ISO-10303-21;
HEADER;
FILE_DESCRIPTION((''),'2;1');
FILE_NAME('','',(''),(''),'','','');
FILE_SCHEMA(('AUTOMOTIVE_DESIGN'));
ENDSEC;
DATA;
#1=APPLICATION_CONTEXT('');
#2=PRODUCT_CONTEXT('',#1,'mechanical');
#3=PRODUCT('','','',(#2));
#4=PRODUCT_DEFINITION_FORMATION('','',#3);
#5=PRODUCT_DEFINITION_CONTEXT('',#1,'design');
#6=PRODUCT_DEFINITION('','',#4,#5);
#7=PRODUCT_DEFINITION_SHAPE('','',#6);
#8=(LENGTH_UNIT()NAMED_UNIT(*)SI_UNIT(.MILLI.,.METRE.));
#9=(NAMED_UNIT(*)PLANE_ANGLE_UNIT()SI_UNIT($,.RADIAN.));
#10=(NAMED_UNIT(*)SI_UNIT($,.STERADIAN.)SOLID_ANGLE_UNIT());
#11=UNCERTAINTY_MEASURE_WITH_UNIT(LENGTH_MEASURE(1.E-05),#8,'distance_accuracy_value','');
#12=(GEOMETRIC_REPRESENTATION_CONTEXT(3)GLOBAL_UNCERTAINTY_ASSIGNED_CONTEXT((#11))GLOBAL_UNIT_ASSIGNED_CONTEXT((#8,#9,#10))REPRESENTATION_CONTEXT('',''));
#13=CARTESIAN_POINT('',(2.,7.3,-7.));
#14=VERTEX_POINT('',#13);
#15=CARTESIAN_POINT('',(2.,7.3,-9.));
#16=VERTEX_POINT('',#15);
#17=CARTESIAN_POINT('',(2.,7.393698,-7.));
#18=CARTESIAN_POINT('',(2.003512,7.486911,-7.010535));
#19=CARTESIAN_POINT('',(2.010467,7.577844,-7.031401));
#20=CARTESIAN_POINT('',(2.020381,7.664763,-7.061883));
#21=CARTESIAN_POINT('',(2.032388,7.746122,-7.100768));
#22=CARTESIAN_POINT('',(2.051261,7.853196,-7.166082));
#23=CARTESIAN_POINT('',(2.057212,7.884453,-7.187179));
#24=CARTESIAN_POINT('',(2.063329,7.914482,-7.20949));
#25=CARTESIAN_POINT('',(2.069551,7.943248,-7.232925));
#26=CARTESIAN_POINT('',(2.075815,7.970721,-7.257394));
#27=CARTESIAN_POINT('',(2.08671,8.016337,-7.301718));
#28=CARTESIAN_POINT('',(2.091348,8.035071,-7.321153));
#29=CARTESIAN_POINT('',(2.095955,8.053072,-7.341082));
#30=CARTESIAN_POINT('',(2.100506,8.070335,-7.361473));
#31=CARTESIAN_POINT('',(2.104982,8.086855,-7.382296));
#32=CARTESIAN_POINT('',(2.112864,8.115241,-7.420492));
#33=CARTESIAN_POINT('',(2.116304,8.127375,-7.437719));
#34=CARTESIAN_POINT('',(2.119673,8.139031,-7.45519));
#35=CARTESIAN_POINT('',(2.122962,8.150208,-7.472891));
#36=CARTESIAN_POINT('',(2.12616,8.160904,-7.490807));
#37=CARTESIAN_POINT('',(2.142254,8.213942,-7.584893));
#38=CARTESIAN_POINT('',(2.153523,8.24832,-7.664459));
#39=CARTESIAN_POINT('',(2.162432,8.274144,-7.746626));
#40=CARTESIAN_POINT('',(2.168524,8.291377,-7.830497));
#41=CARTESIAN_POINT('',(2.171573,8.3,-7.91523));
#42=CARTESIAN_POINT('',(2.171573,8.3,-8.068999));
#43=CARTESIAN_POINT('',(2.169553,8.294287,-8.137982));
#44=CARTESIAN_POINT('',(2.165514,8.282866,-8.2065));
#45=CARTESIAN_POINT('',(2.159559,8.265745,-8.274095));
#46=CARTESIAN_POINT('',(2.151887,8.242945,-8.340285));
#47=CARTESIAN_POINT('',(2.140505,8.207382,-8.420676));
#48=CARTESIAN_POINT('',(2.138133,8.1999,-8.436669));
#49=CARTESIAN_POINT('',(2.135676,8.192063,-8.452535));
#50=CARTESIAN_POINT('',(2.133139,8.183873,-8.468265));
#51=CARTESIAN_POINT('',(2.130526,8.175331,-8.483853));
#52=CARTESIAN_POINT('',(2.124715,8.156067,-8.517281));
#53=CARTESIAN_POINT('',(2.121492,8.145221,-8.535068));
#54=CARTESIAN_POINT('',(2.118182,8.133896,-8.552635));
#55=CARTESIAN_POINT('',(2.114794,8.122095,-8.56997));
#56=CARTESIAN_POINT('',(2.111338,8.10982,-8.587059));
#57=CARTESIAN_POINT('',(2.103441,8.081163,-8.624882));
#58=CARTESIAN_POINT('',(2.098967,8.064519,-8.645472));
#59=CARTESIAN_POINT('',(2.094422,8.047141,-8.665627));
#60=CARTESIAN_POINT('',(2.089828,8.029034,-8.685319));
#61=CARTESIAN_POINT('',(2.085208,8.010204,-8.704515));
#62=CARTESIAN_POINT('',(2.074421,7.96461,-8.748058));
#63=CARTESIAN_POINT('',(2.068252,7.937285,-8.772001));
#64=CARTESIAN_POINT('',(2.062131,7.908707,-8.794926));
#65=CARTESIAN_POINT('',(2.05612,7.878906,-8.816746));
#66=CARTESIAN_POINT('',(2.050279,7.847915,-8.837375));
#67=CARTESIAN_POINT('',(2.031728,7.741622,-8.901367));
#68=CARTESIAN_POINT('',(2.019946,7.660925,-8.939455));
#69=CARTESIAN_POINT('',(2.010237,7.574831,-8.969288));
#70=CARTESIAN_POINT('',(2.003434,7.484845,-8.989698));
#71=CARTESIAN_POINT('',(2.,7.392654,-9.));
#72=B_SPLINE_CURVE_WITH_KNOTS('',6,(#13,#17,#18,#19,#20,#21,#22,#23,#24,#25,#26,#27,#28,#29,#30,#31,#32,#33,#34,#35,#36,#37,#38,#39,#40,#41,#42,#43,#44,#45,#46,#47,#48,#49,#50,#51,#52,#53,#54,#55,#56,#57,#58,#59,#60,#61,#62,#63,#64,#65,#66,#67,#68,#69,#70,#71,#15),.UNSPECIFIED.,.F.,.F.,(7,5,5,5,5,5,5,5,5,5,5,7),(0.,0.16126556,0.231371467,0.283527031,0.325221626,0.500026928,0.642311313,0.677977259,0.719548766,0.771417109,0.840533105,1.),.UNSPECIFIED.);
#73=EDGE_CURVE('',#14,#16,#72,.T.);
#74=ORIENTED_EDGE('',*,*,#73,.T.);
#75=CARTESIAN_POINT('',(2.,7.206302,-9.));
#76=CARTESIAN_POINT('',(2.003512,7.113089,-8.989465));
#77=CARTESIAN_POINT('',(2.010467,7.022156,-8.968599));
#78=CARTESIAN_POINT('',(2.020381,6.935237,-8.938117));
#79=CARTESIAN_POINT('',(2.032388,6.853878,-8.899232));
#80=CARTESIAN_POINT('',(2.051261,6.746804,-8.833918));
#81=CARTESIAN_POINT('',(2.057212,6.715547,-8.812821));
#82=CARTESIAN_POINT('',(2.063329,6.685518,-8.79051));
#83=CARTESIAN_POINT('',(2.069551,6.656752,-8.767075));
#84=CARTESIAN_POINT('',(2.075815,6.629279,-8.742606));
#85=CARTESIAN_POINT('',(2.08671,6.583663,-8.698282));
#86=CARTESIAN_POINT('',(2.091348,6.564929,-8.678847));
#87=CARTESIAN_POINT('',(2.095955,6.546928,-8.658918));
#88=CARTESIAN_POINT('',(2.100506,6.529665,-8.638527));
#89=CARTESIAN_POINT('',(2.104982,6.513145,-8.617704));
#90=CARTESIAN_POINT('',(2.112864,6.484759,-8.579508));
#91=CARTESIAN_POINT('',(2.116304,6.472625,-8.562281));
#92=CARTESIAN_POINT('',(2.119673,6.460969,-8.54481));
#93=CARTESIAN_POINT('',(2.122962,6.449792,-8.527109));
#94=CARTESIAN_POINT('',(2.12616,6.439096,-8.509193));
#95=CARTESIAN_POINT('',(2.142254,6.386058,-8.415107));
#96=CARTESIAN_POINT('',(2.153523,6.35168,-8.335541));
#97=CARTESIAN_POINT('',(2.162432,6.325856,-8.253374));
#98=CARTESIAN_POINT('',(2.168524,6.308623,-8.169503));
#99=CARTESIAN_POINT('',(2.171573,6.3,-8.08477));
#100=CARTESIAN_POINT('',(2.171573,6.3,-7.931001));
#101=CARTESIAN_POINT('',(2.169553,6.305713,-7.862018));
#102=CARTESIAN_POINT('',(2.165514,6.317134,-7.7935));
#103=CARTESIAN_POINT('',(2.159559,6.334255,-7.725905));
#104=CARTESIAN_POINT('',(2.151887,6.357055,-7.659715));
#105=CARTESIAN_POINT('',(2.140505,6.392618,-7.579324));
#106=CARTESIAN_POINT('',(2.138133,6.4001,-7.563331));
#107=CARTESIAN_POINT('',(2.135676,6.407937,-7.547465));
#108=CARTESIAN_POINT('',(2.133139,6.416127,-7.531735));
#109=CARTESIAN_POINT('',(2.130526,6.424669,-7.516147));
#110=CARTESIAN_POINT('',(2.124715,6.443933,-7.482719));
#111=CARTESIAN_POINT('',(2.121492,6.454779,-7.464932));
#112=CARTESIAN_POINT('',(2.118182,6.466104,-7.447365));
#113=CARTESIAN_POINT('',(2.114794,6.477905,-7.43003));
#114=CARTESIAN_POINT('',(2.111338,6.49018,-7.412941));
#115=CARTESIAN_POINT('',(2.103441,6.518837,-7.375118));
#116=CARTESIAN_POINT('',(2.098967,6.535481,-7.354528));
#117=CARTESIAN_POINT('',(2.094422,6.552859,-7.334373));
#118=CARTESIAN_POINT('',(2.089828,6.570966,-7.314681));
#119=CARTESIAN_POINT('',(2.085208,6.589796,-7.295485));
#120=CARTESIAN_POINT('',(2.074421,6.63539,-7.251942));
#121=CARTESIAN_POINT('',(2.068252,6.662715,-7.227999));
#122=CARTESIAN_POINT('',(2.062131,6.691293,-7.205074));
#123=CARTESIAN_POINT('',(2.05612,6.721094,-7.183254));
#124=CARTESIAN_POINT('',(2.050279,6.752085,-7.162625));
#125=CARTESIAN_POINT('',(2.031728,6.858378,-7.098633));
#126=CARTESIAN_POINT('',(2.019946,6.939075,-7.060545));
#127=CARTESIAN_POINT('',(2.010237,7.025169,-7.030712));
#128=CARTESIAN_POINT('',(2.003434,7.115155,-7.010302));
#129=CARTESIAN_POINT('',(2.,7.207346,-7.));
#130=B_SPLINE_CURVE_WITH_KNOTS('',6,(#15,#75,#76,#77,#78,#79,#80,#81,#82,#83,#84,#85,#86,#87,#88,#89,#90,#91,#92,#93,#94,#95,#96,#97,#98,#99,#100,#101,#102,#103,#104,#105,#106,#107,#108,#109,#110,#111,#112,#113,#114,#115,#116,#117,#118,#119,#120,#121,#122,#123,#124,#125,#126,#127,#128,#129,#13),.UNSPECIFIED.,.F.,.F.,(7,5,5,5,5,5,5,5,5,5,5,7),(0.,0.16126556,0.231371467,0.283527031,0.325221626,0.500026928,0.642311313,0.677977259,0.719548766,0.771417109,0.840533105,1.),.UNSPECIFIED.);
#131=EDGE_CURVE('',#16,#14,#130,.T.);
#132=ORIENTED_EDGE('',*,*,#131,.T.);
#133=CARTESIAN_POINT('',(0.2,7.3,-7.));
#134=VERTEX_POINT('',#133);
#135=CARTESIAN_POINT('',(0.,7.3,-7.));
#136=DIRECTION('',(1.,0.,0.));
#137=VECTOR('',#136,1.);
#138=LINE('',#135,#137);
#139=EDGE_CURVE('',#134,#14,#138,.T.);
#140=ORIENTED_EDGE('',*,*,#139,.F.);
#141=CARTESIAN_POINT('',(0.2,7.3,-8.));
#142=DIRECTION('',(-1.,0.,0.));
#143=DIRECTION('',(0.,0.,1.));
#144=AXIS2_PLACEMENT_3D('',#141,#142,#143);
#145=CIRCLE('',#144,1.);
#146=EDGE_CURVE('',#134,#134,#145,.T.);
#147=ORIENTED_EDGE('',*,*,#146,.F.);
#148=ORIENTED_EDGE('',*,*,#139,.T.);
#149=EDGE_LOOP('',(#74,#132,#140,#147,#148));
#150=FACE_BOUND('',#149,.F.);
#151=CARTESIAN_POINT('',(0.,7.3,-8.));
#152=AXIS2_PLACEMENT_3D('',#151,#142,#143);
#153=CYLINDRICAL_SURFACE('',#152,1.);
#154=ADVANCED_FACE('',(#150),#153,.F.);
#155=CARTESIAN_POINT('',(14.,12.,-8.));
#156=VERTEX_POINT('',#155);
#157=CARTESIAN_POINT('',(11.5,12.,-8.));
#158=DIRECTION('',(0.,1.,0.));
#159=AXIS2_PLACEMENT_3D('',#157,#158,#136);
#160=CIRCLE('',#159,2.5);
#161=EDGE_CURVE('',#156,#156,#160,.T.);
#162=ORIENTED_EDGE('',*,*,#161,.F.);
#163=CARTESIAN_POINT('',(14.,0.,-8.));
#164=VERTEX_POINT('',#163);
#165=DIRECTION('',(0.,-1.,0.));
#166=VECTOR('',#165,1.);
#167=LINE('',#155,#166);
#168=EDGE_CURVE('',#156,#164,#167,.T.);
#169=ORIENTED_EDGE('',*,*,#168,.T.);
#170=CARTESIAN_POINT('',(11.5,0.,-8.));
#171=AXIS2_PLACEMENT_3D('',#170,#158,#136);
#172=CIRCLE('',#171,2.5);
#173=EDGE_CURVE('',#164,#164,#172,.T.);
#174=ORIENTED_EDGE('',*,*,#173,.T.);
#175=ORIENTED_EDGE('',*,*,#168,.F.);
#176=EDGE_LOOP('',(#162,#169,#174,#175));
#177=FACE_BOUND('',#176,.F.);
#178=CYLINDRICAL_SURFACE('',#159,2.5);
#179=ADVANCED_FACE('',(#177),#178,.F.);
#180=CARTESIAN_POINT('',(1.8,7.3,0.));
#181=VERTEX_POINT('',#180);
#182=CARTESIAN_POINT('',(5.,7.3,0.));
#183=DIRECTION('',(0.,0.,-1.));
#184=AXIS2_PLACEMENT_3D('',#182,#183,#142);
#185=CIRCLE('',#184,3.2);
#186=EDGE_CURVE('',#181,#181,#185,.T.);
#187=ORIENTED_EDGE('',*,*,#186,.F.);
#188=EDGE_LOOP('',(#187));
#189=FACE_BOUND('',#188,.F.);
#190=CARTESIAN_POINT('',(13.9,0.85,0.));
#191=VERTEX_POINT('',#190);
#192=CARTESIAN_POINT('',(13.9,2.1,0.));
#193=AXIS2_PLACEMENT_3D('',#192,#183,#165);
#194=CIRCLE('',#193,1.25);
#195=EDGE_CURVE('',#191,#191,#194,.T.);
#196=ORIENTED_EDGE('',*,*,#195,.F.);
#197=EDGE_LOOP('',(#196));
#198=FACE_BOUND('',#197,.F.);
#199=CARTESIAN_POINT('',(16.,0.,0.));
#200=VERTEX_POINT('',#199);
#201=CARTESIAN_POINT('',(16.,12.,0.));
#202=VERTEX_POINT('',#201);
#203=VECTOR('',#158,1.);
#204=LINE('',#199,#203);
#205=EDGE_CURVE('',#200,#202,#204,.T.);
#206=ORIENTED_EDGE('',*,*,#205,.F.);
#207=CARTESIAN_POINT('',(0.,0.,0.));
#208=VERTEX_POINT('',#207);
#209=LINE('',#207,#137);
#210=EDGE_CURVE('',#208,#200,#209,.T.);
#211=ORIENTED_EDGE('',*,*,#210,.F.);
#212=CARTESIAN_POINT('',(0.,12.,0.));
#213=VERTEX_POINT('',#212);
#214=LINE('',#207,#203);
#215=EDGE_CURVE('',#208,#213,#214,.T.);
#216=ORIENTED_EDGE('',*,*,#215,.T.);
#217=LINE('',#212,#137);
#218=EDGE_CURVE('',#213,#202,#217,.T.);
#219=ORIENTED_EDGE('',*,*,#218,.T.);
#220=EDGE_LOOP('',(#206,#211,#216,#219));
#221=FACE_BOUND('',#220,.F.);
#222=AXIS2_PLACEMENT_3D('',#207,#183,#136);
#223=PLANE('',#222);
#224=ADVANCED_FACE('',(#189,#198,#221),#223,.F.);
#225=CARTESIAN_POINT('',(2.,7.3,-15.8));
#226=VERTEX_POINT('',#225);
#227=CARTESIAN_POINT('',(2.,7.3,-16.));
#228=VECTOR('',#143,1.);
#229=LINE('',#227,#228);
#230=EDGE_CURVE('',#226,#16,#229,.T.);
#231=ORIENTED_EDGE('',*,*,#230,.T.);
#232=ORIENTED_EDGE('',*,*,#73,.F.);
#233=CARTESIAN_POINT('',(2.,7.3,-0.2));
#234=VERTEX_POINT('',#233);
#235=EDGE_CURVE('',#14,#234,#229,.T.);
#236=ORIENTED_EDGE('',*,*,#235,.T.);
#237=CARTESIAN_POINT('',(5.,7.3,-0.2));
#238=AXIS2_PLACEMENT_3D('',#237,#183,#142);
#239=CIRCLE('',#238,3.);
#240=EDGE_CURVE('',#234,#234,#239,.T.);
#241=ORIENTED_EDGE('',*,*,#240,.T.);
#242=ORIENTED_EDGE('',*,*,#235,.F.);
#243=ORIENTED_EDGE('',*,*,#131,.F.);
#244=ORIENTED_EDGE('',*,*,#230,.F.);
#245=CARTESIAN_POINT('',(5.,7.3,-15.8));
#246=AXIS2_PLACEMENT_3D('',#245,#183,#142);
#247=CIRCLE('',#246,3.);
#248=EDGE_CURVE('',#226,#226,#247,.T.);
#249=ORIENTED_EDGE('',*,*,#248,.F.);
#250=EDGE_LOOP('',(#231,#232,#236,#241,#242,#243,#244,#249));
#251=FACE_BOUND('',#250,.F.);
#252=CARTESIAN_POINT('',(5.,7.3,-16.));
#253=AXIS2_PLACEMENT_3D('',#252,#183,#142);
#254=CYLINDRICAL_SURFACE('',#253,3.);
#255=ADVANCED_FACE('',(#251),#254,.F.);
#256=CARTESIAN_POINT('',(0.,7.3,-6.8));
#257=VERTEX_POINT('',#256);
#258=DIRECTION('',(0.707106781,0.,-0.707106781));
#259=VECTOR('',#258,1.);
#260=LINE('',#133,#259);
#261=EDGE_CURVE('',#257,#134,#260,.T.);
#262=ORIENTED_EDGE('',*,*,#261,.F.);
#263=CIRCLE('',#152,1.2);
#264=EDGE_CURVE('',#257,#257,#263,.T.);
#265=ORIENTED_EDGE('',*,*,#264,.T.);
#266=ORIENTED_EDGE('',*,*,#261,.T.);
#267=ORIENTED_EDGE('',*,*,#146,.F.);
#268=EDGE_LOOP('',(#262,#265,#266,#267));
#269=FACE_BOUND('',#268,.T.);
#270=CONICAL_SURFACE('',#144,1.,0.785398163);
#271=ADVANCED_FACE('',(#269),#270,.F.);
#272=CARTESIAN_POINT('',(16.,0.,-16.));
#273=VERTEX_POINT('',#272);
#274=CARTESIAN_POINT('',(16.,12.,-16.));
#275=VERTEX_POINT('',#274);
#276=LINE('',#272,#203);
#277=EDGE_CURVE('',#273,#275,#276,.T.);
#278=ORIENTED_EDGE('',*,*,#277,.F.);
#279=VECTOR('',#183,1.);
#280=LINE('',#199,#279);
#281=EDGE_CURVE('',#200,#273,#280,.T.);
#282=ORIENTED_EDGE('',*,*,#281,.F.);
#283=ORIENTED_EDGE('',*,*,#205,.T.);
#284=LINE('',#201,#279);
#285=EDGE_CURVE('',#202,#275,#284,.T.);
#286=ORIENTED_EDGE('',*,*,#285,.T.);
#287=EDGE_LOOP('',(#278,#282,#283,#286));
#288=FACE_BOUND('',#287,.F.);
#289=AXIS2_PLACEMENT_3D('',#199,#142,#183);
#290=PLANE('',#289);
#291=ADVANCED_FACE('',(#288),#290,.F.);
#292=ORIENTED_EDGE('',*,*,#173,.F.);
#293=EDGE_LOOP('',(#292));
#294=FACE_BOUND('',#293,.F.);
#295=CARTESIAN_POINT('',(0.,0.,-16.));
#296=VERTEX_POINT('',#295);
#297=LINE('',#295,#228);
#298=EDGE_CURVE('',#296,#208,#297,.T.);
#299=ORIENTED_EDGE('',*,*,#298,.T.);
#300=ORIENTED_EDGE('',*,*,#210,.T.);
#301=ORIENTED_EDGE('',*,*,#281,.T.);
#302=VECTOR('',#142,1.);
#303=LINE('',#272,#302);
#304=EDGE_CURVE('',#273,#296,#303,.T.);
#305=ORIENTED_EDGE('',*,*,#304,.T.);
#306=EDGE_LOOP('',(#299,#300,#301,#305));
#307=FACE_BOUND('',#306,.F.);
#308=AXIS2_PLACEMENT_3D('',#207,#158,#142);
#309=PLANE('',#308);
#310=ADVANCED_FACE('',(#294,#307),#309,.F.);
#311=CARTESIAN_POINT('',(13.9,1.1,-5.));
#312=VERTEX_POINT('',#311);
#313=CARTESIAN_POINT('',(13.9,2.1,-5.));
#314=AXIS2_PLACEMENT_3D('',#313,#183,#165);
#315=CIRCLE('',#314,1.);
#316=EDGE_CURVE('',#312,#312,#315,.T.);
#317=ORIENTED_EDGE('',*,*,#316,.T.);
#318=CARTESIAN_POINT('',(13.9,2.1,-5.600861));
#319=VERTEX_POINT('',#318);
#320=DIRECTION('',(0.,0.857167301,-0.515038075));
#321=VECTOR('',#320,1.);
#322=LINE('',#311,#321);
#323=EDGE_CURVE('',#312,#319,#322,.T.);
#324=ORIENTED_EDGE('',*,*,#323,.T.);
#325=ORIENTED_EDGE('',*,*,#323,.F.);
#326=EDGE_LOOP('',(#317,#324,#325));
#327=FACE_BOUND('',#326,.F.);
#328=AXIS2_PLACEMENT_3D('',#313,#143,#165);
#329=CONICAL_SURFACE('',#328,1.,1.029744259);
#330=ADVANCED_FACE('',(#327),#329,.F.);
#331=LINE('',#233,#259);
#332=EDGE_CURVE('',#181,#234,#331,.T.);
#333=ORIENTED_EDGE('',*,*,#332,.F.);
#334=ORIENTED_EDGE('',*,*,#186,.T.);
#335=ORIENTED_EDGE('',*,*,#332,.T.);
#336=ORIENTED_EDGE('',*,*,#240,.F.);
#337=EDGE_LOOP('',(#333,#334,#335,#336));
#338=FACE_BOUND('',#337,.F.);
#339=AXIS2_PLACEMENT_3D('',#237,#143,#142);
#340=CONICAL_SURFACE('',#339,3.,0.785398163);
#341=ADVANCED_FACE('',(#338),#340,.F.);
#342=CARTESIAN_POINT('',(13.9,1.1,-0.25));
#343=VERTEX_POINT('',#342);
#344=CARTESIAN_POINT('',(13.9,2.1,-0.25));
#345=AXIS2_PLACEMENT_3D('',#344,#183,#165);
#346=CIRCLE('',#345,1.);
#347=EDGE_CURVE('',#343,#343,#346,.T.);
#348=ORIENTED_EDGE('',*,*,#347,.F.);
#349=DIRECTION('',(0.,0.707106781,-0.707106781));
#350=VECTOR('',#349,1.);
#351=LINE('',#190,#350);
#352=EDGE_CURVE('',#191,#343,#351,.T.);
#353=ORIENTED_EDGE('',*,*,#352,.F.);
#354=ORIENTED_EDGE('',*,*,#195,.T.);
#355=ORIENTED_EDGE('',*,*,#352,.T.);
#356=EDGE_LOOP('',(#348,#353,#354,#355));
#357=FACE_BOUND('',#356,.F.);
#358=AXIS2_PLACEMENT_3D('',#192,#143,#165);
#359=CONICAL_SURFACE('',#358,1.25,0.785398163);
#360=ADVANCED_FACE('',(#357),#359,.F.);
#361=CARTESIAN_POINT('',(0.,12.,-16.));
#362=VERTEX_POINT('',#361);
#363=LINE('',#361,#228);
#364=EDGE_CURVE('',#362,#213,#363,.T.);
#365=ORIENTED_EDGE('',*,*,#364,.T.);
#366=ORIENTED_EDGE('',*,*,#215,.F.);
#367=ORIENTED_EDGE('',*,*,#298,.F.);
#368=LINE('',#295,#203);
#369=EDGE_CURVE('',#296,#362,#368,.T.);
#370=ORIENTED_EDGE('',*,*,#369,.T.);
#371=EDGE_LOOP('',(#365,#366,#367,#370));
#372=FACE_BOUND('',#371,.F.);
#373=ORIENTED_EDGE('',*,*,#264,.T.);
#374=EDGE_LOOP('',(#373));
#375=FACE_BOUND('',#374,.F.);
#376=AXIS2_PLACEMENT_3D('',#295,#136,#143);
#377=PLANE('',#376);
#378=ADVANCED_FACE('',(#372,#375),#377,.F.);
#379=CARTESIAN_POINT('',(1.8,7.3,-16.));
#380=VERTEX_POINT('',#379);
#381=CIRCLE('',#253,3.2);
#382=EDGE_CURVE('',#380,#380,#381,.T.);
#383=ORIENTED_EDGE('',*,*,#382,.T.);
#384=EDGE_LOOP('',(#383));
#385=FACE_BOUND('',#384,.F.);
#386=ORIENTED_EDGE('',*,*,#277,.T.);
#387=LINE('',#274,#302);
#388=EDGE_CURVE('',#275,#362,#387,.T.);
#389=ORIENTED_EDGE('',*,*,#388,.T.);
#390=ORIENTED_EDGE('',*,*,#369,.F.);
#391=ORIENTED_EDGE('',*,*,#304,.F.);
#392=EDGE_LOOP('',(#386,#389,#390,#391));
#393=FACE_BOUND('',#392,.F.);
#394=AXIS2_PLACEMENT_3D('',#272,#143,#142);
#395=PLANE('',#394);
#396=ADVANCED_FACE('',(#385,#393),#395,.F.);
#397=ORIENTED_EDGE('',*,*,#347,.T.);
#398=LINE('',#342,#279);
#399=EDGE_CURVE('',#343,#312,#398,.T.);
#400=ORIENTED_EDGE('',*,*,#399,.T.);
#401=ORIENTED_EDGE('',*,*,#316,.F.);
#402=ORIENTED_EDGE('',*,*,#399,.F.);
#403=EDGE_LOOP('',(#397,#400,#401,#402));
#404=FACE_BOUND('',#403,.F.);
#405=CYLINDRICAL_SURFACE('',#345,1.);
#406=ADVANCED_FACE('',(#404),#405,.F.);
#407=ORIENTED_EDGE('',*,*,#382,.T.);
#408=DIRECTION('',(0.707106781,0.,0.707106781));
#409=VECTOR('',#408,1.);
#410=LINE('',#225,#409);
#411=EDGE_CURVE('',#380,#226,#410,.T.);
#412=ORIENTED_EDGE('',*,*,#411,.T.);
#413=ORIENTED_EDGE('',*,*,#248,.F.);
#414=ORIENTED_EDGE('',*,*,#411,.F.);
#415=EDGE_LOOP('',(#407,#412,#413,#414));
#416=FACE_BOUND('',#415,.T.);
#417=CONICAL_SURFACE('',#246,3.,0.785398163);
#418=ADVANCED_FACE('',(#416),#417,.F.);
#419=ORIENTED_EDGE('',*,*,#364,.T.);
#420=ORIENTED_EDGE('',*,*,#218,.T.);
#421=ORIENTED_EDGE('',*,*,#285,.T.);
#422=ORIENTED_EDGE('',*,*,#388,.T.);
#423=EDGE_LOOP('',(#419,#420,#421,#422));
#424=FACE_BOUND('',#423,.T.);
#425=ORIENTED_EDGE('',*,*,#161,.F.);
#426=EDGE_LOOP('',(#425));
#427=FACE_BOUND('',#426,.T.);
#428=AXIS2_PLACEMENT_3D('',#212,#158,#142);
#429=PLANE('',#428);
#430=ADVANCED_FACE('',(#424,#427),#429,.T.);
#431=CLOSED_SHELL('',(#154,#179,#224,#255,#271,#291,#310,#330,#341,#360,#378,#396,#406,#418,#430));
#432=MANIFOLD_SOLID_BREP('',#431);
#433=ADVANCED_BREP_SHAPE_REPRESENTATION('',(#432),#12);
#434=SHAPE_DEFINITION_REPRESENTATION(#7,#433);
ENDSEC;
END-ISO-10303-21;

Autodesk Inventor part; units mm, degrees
ref_plane "YZ Plane" through (0, 0, 0) normal (1, 0, 0) x (0, 1, 0)
ref_plane "XZ Plane" through (0, 0, 0) normal (0, 1, 0) x (-1, 0, 0)
ref_plane "XY Plane" through (0, 0, 0) normal (0, 0, 1) x (1, 0, 0)
sketch "Sketch1" plane through (0, 0, 0) normal (0, 1, 0) x (-1, 0, 0)
  line L0 (0, 0) -> (-16, 0)
  line L1 (-16, 0) -> (-16, -16)
  line L2 (-16, -16) -> (0, -16)
  line L3 (0, -16) -> (0, 0)
  dimension "d0" = 16
extrude "Extrusion1" add sketch "Sketch1" along normal blind 12
sketch "Sketch2" plane through (16, 0, -16) normal (0, 0, -1) x (-1, 0, 0)
  line L0 (16, 0) -> (16, 12) projected
  line L1 (0, 12) -> (16, 12) projected
  circle A0 centre (11, 7.3) radius 3
  dimension "d3" = 6
  dimension "d4" = 5
  dimension "d5" = 4.7
extrude "Extrusion2" cut sketch "Sketch2" against normal through all
sketch "Sketch3" plane through (0, 0, 0) normal (0, 0, 1) x (1, 0, 0)
  line L0 (0, 0) -> (16, 0) projected
  line L1 (16, 0) -> (16, 12) projected
  point P0 (13.9, 2.1)
  dimension "d8" = 2.1
  dimension "d9" = 2.1
hole "Hole1" at (13.9, 2.1, 0) direction (0, 0, -1) diameter 2 depth 5 tip angle 118 countersink diameter 2.5 countersink angle 90
sketch "Sketch4" plane through (0, 12, 0) normal (0, 1, 0) x (1, 0, 0)
  line L0 (16, 0) -> (16, 16) projected
  line L1 (0, 16) -> (0, 0) projected
  circle A0 centre (11.5, 8) radius 2.5
  point P0 (0, 8)
  dimension "d17" = 5
  dimension "d18" = 4.5
extrude "Extrusion3" cut sketch "Sketch4" against normal through all
sketch "Sketch5" plane through (0, 0, -16) normal (-1, 0, 0) x (0, 0, 1)
  line L0 (0, 12) -> (16, 12) projected
  line L1 (0, 4.3) -> (0, 10.3) projected
  line L2 (16, 10.3) -> (16, 4.3) projected
  line L3 (0, 4.3) -> (0, 10.3) projected
  line L4 (0, 7.3) -> (16, 7.3) construction
  circle A0 centre (8, 7.3) radius 1
  dimension "d21" = 4.7
  dimension "d22" = 2
extrude "Extrusion4" cut sketch "Sketch5" against normal up to surface
thread "Thread1" size "M2x0.4" class "6H" standard "ANSI Metric M Profile" full length
chamfer "Chamfer1" distance 0.2 angle 45 1 edges at (0, 7.3, -9)
chamfer "Chamfer2" distance 0.2 angle 45 2 edges at (8, 7.3, 0) (8, 7.3, -16)
equation "\"d9\" = d8"
properties part number "heatblock" material "Aluminum 6061"
